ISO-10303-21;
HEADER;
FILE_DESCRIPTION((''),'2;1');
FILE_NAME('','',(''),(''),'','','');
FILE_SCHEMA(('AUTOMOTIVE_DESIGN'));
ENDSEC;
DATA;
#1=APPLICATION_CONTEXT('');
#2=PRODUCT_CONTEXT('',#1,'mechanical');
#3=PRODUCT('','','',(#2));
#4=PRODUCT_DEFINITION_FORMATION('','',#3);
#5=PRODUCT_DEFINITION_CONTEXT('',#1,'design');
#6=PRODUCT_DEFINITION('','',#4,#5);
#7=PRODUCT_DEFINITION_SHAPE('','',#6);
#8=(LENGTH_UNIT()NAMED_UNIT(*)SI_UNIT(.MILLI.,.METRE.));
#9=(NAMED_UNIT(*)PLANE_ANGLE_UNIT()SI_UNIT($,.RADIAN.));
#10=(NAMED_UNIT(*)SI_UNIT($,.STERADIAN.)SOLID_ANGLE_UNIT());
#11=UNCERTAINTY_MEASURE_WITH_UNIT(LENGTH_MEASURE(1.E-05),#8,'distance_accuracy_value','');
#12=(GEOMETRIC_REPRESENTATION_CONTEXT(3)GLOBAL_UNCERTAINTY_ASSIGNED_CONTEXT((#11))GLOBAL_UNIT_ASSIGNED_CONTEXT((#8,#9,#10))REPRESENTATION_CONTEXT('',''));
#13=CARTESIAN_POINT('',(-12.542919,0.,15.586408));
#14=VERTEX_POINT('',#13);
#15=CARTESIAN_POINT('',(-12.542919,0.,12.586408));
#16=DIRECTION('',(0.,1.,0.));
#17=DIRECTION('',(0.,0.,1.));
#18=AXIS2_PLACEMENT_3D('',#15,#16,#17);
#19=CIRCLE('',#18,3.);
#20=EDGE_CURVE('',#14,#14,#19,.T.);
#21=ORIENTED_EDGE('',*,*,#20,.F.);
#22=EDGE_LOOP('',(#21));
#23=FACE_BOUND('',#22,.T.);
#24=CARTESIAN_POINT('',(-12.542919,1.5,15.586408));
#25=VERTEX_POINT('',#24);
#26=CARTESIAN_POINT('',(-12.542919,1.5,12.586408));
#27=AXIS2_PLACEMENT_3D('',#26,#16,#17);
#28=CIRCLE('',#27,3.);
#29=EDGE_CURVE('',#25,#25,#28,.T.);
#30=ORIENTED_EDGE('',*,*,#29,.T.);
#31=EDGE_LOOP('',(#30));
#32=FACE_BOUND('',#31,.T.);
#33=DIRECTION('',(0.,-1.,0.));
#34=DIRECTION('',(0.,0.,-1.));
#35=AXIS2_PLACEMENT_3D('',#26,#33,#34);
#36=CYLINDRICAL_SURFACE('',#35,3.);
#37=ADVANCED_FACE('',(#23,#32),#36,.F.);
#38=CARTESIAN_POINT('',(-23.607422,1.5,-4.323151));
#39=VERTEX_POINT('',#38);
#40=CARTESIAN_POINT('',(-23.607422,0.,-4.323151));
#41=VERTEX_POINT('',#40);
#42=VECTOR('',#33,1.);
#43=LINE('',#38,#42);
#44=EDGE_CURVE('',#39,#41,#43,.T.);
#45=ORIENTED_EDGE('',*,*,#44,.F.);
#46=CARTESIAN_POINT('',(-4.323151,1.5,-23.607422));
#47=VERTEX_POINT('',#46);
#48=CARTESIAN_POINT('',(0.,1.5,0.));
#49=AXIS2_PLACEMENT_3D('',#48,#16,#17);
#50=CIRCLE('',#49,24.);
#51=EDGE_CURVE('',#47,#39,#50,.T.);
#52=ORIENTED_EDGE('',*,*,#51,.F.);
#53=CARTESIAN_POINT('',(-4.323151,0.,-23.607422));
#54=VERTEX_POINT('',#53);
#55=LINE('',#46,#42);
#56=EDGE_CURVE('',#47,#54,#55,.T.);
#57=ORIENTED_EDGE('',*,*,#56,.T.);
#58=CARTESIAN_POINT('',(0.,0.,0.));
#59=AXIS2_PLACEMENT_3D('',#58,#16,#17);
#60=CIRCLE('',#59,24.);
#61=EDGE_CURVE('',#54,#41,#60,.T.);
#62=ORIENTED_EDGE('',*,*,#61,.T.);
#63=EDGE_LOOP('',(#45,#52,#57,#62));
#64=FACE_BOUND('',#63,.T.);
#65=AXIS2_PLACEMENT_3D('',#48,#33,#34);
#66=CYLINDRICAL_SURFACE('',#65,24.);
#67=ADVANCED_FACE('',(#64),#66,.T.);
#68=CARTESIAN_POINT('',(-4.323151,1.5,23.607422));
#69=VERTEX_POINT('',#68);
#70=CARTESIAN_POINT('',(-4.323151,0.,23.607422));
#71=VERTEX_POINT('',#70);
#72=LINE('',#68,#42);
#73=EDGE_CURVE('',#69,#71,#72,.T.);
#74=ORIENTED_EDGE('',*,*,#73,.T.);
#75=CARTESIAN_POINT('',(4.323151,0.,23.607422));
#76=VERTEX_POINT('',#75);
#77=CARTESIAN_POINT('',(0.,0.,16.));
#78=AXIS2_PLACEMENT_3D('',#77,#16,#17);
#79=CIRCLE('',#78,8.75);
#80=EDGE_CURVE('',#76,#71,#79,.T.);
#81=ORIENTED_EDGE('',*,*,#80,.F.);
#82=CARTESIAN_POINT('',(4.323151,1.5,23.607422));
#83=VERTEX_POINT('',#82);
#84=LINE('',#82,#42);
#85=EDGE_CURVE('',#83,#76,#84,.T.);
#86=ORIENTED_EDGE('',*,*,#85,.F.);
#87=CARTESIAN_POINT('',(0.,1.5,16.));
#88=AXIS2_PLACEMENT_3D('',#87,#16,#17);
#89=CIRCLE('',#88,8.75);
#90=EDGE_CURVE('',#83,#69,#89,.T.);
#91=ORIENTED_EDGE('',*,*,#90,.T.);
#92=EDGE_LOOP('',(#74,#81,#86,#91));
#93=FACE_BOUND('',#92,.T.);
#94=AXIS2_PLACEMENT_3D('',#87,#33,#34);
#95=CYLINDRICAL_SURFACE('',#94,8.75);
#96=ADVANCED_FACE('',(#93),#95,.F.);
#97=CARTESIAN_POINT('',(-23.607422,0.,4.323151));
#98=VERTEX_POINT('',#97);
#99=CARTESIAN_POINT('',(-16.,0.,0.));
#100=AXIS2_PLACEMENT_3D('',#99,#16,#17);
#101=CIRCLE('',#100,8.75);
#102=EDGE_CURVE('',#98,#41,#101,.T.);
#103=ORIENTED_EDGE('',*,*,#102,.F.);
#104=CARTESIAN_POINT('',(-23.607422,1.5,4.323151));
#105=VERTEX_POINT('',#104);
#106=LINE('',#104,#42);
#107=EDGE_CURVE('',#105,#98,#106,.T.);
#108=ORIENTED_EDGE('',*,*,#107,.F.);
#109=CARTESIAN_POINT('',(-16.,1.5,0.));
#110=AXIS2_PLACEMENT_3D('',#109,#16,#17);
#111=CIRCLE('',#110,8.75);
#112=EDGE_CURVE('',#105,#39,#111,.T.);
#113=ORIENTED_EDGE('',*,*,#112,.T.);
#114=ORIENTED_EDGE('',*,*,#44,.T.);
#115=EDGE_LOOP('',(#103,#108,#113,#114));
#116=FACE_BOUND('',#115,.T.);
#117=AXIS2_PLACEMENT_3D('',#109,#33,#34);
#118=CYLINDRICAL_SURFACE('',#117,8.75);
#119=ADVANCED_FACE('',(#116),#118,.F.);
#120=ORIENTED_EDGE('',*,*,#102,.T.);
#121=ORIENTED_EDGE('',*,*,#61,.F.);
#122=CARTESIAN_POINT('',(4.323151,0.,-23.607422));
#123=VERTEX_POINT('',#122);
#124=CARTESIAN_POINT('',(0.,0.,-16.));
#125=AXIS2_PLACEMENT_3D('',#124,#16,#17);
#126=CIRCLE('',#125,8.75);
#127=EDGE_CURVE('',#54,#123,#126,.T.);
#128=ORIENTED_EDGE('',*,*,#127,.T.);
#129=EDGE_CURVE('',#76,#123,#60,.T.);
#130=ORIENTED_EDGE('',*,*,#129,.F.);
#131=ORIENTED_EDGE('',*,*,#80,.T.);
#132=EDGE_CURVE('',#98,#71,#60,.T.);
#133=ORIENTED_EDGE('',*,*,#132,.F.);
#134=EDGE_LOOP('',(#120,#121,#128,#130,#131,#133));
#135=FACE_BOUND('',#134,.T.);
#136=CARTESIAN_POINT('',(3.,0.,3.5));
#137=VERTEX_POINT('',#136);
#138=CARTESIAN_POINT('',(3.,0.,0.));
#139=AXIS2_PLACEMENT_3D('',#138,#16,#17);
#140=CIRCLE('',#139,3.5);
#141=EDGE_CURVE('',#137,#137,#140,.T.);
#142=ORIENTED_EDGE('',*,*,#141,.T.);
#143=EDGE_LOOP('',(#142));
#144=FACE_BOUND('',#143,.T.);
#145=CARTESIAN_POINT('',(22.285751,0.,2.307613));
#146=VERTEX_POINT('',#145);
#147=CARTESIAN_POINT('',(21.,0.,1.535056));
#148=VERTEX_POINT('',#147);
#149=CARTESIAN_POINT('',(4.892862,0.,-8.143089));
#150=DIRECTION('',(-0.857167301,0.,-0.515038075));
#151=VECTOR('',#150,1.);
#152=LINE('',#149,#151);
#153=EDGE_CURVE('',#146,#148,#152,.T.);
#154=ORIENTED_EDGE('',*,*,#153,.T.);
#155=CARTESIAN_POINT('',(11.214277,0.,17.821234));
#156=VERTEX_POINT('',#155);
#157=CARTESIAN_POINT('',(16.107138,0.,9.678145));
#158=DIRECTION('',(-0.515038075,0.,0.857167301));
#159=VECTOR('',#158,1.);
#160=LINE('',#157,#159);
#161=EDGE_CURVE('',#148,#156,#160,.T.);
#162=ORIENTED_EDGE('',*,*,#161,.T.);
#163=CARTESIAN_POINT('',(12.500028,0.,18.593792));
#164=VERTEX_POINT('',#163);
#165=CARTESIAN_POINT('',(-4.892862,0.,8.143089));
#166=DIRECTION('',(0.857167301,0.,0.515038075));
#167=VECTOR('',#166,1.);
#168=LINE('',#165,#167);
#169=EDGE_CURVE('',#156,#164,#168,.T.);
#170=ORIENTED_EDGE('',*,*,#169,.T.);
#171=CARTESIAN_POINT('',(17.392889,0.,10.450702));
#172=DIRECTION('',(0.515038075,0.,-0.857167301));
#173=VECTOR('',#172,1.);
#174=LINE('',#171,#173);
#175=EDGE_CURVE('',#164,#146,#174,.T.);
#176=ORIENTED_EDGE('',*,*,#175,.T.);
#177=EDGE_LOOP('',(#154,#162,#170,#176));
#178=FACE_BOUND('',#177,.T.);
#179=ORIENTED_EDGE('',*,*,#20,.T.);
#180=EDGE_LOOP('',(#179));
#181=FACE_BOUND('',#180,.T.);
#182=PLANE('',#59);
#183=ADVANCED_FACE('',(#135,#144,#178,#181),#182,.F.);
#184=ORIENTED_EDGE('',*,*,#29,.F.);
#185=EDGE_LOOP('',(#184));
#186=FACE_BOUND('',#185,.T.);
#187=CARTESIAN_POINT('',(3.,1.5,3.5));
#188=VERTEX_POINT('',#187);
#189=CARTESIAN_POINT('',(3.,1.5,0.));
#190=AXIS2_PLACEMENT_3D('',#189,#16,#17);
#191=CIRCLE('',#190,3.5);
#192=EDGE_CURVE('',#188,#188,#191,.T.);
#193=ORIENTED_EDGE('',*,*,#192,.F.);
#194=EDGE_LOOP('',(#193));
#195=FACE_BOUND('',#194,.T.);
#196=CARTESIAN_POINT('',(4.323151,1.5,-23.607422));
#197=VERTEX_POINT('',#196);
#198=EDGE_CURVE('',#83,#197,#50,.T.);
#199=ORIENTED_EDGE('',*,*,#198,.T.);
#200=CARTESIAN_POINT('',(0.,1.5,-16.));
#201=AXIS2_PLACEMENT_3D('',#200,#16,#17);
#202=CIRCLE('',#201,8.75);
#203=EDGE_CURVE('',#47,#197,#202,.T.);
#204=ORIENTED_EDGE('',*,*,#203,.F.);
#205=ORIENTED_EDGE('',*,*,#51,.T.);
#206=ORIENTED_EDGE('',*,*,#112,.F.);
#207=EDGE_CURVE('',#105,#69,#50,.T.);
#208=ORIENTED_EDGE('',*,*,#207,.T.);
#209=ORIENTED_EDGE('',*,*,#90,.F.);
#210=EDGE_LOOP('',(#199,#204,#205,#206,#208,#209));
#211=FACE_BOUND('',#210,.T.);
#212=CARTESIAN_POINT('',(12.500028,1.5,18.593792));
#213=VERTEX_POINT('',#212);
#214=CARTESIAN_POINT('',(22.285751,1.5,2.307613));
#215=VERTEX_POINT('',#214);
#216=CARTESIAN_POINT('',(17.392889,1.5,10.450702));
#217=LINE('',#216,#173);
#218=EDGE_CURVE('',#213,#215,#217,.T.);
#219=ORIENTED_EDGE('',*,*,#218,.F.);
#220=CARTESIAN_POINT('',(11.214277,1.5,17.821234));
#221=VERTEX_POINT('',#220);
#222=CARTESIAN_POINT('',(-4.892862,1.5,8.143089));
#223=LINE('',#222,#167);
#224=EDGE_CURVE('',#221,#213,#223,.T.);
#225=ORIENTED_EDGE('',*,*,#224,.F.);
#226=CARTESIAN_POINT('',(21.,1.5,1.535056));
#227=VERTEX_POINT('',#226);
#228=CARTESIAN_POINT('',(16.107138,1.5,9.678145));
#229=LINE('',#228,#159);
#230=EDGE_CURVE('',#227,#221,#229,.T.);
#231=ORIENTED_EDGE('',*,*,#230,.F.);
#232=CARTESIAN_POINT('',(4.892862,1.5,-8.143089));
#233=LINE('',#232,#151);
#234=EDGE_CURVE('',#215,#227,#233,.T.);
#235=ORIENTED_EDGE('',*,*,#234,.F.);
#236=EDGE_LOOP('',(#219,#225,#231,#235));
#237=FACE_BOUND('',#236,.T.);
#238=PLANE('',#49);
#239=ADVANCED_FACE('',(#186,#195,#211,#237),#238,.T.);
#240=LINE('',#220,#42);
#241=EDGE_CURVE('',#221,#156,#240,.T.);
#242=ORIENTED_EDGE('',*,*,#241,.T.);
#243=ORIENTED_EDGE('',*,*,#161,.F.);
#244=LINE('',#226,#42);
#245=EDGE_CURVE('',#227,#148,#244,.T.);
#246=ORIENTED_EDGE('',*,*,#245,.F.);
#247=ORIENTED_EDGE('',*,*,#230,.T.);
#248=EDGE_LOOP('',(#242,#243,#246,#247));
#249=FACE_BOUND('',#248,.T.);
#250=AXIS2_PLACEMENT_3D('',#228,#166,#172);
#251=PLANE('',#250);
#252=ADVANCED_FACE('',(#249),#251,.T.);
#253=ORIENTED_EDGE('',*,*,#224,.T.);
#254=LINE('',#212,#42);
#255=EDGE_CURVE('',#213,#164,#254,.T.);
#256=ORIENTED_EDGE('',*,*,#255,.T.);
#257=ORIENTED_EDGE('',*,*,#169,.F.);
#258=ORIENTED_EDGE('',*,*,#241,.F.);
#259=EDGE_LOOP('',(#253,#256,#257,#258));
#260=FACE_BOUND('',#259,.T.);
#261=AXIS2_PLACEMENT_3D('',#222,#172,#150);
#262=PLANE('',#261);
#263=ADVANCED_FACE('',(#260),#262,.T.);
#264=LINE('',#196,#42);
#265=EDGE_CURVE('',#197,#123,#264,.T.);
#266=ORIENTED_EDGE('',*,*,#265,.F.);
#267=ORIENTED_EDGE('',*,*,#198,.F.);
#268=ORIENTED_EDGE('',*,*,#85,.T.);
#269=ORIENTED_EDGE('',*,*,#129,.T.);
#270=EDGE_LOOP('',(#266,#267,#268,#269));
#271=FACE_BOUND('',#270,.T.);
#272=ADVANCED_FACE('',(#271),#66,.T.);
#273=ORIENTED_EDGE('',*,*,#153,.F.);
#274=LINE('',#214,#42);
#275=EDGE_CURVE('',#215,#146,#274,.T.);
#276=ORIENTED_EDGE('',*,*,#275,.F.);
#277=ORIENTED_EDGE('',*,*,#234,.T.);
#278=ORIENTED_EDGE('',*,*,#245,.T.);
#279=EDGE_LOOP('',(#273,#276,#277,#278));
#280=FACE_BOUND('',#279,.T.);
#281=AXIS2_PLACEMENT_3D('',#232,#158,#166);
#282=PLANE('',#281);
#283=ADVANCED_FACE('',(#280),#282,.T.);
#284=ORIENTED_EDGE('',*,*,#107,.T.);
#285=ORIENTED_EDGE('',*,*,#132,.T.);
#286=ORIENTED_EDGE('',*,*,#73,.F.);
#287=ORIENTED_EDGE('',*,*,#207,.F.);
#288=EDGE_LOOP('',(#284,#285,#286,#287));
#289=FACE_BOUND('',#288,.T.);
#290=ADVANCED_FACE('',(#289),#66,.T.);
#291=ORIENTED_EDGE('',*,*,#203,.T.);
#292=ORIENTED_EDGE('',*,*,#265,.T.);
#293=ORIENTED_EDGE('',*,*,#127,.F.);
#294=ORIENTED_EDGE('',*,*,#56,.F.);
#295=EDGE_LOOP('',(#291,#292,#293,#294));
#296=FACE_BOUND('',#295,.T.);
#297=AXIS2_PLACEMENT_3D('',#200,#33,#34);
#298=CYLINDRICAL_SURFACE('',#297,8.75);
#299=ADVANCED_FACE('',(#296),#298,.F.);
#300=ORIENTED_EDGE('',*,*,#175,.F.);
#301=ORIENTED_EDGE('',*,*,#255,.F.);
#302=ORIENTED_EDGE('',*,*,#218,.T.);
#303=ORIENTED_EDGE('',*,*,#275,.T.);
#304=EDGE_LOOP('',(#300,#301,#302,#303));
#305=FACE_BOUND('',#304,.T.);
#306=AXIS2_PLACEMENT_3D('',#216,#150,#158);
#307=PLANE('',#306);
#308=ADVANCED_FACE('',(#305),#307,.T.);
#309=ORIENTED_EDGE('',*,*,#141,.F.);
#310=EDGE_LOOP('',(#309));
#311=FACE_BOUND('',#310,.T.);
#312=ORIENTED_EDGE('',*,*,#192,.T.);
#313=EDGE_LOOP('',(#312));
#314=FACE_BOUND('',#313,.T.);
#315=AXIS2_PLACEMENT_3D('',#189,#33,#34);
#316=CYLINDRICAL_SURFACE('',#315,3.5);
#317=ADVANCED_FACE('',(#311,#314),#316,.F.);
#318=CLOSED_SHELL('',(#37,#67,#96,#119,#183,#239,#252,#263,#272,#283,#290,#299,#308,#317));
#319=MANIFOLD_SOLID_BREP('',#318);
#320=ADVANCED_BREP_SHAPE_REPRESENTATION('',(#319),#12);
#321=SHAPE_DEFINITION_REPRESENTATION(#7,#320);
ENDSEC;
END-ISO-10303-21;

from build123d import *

# Parameters (mm, degrees)
ESQUISSE1_R        = 3
ESQUISSE1_R_2      = 3.5
BOSS_EXTRU_1_DEPTH = 1.5


with BuildPart() as part:
    # Esquisse1 → Boss.-Extru.1 (new body)
    with BuildSketch(Plane(origin=(0, 0, 0), x_dir=(1, 0, 0), z_dir=(0, 1, 0))):
        with BuildLine():
            ThreePointArc((4.323150751, -23.607421875), (18.435775248, -15.366267959), (24, 0))
            ThreePointArc((24, 0), (18.435775248, 15.366267959), (4.323150751, 23.607421875))
            ThreePointArc((4.323150751, 23.607421875), (7.562739883, 20.400848266), (8.75, 16))
            ThreePointArc((8.75, 16), (-4.400848266, 8.437260117), (-4.323150751, 23.607421875))
            ThreePointArc((-4.323150751, 23.607421875), (-16.970562748, 16.970562748), (-23.607421875, 4.323150751))
            ThreePointArc((-23.607421875, 4.323150751), (-13.764204997, 8.459534308), (-7.25, 0))
            ThreePointArc((-7.25, 0), (-13.764204997, -8.459534308), (-23.607421875, -4.323150751))
            ThreePointArc((-23.607421875, -4.323150751), (-16.970562748, -16.970562748), (-4.323150751, -23.607421875))
            ThreePointArc((-4.323150751, -23.607421875), (-4.400848266, -8.437260117), (8.75, -16))
            ThreePointArc((8.75, -16), (7.562739883, -20.400848266), (4.323150751, -23.607421875))
        make_face()
        with Locations(Location((-12.542919229, -12.586407821, 0), (0, 0, 270))):
            Circle(ESQUISSE1_R, mode=Mode.SUBTRACT)
        Polygon((11.214276577, -17.821234439), (21, -1.535055726), (22.285750951, -2.307612838), (12.500027528, -18.593791552), align=None, mode=Mode.SUBTRACT)
        with Locations(Location((3, 0, 0), (0, 0, 270))):
            Circle(ESQUISSE1_R_2, mode=Mode.SUBTRACT)
    extrude(amount=BOSS_EXTRU_1_DEPTH)


solid = part.part
